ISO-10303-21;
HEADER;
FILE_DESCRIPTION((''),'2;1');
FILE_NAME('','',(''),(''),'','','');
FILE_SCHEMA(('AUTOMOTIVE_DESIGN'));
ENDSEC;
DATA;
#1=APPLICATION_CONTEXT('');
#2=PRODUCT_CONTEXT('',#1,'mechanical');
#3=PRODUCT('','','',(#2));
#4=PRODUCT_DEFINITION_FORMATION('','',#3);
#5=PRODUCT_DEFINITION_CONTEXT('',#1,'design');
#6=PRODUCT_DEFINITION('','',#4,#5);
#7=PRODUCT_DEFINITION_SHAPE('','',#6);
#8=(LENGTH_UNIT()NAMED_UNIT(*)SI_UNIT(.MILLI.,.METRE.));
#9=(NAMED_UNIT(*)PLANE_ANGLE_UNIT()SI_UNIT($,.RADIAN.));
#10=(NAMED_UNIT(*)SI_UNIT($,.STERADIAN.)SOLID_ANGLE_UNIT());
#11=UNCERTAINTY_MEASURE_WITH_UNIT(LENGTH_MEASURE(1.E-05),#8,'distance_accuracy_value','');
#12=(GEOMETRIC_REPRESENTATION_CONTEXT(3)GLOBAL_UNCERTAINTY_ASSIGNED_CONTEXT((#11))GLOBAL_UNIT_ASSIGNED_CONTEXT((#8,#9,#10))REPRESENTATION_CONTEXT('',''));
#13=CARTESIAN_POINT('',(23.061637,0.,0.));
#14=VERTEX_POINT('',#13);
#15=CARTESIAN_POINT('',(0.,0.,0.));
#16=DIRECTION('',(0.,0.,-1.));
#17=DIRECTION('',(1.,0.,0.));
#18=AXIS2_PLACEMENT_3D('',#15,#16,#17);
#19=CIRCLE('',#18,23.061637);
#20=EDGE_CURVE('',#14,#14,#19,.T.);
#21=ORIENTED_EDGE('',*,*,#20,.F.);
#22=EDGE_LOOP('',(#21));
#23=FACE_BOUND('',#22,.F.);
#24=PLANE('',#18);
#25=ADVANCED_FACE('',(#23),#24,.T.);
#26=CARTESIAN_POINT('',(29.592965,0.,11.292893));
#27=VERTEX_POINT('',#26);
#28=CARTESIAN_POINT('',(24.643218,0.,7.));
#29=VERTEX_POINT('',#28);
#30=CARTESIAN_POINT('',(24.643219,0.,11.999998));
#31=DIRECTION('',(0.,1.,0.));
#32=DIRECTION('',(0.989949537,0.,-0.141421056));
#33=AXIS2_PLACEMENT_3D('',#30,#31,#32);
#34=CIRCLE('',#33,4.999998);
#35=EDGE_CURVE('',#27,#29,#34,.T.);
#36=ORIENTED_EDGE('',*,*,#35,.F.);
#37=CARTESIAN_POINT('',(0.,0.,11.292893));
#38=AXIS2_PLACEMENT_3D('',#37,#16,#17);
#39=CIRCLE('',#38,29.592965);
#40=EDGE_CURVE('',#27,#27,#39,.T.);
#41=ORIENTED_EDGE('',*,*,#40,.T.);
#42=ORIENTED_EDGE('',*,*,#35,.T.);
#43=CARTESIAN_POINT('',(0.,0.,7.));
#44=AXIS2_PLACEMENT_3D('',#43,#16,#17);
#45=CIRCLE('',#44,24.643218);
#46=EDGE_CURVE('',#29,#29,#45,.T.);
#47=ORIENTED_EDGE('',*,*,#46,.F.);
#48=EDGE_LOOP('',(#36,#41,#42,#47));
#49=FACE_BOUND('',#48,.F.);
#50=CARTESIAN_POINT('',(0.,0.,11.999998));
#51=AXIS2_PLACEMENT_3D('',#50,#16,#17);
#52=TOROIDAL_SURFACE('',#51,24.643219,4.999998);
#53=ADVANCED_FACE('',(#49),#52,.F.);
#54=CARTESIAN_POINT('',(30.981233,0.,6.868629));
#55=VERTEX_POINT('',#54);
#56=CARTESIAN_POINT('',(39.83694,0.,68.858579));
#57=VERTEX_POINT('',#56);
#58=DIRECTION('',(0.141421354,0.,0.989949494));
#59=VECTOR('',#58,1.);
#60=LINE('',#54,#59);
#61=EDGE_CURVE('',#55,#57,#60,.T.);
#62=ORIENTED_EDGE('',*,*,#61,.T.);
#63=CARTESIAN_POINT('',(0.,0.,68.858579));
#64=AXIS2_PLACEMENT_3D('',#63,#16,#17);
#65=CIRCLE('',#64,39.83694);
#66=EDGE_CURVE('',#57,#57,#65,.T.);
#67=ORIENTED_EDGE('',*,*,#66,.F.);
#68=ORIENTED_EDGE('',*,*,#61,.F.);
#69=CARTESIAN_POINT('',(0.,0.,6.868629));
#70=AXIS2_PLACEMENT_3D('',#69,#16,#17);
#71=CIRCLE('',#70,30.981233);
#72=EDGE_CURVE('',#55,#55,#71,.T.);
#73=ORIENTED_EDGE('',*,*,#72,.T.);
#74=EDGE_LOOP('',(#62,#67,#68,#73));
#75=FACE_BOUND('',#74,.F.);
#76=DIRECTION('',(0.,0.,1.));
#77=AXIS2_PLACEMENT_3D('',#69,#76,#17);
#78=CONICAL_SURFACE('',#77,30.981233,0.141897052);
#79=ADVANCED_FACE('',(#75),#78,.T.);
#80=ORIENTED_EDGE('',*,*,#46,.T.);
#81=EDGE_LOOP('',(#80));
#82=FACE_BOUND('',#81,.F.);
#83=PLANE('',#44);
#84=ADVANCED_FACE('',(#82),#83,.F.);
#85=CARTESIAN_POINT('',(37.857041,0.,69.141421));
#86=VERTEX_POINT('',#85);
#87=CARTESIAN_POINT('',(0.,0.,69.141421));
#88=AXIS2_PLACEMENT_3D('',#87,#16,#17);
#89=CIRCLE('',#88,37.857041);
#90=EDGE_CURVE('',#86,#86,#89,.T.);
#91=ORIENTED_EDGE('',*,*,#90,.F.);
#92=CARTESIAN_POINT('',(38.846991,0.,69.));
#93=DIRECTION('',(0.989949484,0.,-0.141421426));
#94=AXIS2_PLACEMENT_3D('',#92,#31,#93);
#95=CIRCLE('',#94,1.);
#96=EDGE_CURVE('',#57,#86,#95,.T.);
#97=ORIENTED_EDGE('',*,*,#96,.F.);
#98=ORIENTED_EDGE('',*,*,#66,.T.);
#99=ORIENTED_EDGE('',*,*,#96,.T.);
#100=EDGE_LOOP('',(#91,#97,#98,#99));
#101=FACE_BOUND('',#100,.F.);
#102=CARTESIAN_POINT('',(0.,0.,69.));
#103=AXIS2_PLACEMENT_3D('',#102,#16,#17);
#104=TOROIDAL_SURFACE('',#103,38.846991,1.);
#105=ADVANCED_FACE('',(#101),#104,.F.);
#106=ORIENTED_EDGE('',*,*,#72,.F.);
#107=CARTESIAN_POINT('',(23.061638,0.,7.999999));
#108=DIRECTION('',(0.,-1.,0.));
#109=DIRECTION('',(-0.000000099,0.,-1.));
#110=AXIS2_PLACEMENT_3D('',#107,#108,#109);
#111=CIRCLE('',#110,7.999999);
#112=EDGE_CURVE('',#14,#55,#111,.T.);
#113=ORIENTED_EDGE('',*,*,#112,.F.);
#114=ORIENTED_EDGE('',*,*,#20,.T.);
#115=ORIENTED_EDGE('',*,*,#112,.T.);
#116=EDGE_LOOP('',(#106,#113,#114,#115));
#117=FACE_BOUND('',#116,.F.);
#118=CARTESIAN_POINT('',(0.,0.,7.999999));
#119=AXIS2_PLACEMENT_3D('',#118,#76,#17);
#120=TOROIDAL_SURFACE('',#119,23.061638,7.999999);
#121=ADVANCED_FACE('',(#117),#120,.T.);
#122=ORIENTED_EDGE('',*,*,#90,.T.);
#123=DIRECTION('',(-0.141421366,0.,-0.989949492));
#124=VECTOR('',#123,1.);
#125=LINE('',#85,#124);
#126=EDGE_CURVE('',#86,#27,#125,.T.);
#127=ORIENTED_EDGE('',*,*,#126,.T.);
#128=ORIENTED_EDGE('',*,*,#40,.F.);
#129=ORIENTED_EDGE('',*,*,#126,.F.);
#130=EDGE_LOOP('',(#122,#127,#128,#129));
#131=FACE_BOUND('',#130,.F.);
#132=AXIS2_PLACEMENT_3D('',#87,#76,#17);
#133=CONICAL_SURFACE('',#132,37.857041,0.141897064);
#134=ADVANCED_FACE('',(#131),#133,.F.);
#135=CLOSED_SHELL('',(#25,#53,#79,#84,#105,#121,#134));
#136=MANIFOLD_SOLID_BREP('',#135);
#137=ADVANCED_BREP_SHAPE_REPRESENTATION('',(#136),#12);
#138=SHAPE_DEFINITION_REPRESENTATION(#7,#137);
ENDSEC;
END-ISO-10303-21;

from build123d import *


with BuildPart() as f1:
    # F0 (on Front) → F1 (revolve)
    with BuildSketch(Plane.XZ):
        with BuildLine():
            Line((0, 7), (0, 0))
            Line((0, 0), (23.061637, 0))
            ThreePointArc((23.061637, 0), (28.303251, 1.956368), (30.981233, 6.868629))
            Line((30.981233, 6.868629), (39.83694, 68.858579))
            ThreePointArc((39.83694, 68.858579), (38.705569, 68.010051), (37.857041, 69.141421))
            Line((37.857041, 69.141421), (29.592965, 11.292893))
            ThreePointArc((29.592965, 11.292893), (27.919227, 8.22273), (24.643218, 7))
            Line((24.643218, 7), (0, 7))
        make_face()
    revolve(axis=Axis((0, 0, 3.5), (0, 0, -1)))


solid = f1.part
